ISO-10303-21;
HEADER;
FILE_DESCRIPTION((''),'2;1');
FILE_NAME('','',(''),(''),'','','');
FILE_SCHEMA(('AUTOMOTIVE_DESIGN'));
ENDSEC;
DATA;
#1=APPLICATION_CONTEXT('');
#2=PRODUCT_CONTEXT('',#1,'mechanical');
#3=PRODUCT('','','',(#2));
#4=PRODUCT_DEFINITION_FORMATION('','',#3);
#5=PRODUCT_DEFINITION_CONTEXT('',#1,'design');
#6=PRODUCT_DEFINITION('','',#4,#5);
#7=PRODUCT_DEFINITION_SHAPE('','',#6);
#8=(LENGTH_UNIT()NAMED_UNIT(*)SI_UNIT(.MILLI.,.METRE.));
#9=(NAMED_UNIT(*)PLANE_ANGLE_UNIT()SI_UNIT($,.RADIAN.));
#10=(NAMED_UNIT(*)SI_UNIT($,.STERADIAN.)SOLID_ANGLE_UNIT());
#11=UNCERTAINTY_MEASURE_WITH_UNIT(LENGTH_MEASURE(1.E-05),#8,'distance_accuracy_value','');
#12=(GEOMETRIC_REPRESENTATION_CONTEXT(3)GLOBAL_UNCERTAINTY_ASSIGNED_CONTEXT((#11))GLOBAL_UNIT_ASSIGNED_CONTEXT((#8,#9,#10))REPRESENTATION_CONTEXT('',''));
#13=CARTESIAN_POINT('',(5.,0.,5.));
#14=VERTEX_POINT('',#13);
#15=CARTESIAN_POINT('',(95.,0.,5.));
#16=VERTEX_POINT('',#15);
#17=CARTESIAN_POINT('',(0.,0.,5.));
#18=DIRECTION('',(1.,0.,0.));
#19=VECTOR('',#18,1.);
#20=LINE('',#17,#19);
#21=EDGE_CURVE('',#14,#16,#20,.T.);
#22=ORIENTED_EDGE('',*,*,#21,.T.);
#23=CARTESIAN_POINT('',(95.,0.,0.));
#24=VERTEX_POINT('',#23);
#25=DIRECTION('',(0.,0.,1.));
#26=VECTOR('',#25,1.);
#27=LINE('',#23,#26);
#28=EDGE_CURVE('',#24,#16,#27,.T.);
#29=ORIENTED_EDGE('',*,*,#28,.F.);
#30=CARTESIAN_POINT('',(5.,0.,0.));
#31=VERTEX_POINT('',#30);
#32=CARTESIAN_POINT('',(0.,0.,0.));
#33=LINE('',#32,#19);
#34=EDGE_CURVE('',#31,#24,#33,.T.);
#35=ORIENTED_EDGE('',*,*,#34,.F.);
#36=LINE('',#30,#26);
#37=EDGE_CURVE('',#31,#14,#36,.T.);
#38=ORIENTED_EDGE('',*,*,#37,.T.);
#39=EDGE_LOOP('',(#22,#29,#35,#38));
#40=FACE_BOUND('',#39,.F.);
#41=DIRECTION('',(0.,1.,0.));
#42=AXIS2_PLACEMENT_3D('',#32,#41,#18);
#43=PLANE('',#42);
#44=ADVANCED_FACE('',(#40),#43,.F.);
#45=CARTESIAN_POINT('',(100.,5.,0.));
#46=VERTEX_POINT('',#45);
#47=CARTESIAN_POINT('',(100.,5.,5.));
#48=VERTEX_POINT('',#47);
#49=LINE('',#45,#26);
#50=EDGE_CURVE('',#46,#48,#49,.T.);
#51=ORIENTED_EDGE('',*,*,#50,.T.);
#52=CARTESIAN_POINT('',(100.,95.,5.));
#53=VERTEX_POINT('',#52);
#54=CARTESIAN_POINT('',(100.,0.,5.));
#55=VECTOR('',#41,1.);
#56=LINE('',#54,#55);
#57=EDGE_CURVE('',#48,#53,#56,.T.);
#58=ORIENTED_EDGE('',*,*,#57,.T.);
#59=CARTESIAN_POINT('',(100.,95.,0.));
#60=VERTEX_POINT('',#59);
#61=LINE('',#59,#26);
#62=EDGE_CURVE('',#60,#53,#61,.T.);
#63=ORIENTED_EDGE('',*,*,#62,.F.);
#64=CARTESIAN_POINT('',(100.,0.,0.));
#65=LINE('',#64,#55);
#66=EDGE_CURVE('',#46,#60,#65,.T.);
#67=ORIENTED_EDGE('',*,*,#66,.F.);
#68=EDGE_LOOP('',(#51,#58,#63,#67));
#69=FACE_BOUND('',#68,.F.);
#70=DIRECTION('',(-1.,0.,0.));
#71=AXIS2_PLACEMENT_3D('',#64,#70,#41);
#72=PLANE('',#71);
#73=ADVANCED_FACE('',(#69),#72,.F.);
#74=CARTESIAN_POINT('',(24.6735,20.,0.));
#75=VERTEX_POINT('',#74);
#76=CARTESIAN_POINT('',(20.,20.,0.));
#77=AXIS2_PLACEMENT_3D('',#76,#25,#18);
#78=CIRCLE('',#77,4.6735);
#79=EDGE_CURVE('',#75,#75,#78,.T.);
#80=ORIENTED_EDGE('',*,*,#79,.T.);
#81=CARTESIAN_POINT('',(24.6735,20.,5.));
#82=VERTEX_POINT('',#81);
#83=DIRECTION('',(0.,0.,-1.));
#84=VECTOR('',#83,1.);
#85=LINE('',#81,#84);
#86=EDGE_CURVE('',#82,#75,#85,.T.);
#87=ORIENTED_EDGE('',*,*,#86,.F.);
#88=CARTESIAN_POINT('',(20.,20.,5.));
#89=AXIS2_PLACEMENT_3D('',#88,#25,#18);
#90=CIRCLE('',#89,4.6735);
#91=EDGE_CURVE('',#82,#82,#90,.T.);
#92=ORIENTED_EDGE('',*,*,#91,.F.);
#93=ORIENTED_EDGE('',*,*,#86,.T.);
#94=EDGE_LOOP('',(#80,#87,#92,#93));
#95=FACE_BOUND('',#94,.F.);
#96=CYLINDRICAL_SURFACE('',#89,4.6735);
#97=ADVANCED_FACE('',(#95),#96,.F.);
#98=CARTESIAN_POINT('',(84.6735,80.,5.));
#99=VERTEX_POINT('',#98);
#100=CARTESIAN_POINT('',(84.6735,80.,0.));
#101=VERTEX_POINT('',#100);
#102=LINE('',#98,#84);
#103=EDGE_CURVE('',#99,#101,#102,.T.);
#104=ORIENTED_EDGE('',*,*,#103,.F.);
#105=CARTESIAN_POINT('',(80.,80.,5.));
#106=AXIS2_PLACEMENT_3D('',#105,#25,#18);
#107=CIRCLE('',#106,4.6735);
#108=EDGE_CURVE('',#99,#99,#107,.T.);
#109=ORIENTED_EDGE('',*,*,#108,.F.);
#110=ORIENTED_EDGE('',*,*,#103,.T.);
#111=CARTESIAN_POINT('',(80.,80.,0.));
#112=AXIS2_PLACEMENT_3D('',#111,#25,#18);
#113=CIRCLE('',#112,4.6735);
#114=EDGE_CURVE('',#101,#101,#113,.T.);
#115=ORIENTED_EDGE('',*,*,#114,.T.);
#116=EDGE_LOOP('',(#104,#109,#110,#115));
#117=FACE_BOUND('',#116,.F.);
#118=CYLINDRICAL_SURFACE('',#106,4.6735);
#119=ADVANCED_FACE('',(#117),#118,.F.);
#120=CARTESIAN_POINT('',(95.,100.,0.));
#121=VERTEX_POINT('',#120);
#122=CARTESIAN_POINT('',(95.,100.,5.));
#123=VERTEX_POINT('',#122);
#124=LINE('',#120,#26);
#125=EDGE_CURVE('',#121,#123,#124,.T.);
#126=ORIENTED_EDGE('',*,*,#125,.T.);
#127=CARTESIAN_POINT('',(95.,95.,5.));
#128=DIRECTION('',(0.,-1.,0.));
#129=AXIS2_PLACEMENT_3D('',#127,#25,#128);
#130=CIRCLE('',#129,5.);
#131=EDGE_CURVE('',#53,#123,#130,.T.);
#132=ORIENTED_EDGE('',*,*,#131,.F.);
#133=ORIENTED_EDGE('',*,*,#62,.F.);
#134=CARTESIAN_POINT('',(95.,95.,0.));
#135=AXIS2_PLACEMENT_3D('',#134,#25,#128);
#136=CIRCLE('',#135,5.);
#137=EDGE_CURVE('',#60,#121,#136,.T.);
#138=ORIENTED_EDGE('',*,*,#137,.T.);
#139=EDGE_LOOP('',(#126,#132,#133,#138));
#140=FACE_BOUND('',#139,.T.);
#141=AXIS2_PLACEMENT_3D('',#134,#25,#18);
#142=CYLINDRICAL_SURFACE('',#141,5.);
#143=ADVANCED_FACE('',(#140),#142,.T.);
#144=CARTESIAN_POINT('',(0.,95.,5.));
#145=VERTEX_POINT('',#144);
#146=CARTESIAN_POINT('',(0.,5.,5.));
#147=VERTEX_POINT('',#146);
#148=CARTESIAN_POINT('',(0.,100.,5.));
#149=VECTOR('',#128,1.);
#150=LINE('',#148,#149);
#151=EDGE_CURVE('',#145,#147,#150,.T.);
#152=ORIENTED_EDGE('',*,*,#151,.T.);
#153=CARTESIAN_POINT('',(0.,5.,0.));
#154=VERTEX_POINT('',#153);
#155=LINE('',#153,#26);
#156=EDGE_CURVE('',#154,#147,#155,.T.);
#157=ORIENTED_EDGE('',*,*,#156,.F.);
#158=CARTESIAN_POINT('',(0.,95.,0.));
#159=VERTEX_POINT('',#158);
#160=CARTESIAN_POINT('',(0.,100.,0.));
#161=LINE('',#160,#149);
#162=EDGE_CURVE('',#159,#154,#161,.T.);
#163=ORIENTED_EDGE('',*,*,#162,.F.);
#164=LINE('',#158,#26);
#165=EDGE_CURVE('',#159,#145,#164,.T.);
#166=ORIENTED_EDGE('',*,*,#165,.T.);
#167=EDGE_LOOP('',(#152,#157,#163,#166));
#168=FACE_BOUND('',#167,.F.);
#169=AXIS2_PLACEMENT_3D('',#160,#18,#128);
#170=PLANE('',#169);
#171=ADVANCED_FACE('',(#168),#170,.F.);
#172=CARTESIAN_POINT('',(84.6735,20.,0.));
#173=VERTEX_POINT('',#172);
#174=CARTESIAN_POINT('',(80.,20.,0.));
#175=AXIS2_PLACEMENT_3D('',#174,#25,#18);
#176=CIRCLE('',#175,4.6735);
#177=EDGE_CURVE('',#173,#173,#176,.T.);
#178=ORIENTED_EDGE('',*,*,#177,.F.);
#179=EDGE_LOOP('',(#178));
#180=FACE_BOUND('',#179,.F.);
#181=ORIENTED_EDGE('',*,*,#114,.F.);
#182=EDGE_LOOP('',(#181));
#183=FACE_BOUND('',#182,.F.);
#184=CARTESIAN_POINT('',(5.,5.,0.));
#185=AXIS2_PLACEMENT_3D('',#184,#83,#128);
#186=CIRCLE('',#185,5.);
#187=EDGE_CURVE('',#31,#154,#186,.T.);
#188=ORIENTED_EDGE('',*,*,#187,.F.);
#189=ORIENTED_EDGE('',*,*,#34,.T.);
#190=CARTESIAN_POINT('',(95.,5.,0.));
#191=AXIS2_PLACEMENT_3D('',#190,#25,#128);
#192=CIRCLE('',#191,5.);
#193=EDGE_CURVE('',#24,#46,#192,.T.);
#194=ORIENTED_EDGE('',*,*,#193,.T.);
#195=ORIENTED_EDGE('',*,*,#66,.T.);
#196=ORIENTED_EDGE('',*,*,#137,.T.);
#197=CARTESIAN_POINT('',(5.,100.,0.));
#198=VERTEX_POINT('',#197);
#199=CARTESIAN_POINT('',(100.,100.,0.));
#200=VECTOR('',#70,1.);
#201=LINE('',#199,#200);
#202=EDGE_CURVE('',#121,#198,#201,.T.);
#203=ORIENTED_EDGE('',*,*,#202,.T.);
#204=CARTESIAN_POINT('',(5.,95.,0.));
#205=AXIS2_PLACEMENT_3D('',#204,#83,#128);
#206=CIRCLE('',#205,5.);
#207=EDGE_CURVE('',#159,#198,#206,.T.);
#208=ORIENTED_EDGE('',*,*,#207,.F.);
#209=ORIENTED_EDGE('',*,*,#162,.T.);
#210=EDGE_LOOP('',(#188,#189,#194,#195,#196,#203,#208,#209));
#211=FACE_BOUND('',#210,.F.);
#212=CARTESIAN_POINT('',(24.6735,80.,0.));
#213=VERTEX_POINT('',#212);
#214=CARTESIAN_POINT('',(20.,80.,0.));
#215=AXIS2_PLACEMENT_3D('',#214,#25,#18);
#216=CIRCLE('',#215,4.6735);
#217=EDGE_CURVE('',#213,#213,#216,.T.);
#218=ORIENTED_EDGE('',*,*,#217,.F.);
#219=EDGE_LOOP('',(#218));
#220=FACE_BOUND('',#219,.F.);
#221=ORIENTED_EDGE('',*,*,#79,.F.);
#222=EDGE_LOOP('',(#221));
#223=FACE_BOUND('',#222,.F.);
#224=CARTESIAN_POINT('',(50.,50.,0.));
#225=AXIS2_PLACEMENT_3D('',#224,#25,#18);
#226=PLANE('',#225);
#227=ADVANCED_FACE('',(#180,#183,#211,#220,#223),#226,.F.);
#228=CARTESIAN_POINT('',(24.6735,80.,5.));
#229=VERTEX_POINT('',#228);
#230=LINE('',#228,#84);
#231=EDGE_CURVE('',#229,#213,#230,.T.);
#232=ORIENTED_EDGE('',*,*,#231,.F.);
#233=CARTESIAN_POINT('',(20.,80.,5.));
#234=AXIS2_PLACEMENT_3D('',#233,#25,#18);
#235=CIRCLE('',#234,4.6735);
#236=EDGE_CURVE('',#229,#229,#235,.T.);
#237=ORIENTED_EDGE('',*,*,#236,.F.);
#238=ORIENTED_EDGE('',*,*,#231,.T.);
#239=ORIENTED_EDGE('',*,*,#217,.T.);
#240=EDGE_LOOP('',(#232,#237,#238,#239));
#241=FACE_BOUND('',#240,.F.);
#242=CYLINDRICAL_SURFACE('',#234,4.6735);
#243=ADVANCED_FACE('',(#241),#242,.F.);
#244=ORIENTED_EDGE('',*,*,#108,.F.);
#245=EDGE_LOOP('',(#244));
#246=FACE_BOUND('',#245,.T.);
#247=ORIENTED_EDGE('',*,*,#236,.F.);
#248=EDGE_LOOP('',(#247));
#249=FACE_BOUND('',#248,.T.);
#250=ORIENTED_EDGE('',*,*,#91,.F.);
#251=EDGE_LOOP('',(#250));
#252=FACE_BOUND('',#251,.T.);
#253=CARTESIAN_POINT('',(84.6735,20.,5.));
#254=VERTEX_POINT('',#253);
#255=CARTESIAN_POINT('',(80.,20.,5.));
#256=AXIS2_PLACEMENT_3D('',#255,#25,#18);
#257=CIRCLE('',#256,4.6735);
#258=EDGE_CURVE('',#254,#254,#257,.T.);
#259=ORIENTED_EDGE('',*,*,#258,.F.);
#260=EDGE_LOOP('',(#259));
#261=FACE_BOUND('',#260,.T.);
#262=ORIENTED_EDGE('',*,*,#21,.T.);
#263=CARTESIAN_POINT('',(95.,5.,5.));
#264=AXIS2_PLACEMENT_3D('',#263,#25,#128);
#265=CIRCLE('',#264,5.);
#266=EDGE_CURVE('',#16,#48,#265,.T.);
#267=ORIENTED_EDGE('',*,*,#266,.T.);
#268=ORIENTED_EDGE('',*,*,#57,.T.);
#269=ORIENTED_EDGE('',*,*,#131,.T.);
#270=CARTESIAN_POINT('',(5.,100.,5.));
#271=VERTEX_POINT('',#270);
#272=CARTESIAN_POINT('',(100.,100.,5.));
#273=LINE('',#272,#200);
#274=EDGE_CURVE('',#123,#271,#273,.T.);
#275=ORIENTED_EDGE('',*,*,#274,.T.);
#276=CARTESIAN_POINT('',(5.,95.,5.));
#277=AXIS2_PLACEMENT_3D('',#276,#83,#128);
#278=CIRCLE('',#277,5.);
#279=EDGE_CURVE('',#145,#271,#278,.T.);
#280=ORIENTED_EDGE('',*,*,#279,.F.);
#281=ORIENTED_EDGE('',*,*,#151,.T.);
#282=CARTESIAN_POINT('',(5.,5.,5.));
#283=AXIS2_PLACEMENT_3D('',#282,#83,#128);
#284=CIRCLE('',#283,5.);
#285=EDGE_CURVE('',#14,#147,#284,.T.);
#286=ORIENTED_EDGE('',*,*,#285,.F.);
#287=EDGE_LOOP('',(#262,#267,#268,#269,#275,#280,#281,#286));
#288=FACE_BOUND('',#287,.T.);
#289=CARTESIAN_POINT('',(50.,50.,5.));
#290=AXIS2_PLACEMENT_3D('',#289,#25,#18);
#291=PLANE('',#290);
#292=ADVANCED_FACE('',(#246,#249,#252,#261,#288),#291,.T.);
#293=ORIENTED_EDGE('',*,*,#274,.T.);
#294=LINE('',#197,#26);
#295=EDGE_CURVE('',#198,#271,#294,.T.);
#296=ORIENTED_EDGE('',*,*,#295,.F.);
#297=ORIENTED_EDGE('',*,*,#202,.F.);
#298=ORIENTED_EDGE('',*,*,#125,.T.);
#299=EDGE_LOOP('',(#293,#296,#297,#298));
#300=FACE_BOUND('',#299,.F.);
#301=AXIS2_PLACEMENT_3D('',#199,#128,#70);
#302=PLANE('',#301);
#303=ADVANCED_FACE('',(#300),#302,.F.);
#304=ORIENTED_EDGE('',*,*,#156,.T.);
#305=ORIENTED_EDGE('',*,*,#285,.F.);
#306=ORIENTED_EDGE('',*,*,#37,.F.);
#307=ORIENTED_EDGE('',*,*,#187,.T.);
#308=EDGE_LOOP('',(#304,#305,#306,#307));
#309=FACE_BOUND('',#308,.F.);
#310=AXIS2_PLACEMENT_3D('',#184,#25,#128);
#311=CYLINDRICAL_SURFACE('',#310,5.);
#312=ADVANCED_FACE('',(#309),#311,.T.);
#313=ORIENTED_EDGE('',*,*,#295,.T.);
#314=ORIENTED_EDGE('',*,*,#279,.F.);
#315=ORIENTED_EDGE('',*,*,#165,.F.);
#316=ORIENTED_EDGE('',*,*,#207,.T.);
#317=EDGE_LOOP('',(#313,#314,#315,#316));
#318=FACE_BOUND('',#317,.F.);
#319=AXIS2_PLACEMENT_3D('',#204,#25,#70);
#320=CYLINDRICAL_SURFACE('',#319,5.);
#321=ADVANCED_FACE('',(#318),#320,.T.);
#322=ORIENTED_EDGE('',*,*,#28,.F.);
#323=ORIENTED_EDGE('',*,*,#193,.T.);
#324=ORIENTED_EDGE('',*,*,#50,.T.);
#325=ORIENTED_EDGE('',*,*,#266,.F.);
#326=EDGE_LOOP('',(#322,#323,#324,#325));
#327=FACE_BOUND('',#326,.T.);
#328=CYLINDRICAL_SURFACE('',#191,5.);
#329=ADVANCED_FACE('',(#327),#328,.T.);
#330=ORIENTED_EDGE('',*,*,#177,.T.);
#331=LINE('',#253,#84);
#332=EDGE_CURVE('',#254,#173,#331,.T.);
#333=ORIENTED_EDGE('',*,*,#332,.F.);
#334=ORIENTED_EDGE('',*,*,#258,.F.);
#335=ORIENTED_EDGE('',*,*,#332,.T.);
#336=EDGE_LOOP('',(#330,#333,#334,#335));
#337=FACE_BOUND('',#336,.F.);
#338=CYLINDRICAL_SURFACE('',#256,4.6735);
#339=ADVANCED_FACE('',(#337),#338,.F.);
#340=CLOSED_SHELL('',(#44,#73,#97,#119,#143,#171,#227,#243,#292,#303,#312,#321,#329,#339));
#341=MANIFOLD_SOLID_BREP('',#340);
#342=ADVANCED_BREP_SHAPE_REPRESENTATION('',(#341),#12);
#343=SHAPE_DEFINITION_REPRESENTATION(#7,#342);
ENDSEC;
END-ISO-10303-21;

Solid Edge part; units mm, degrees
sketch "Sketch1" plane through (0, 0, 0) normal (0, 0, 1) x (1, 0, 0)
  line L0 (0, 0) -> (100, 0)
  line L1 (100, 0) -> (100, 100)
  line L2 (100, 100) -> (0, 100)
  line L3 (0, 100) -> (0, 0)
  dimension "D1" = 100
  dimension "D2" = 100
extrude "Protrusion1" add sketch "Sketch1" along normal blind 5
sketch "Sketch2" plane through (50, 50, 5) normal (0, 0, 1) x (1, 0, 0)
  circle A0 centre (-30, 30) radius 4.6735
  circle A1 centre (30, 30) radius 4.6735
  circle A2 centre (30, -30) radius 4.6735
  circle A3 centre (-30, -30) radius 4.6735
  dimension "D1" = 20
  dimension "D2" = 20
  dimension "D3" = 20
  dimension "D4" = 20
  dimension "D5" = 60
  dimension "D6" = 20
extrude "Cutout1" cut sketch "Sketch2" against normal through all
fillet "Round_4" radius 5 4 edges at (100, 0, 2.5) (100, 100, 2.5) (0, 0, 2.5) (0, 100, 2.5)
